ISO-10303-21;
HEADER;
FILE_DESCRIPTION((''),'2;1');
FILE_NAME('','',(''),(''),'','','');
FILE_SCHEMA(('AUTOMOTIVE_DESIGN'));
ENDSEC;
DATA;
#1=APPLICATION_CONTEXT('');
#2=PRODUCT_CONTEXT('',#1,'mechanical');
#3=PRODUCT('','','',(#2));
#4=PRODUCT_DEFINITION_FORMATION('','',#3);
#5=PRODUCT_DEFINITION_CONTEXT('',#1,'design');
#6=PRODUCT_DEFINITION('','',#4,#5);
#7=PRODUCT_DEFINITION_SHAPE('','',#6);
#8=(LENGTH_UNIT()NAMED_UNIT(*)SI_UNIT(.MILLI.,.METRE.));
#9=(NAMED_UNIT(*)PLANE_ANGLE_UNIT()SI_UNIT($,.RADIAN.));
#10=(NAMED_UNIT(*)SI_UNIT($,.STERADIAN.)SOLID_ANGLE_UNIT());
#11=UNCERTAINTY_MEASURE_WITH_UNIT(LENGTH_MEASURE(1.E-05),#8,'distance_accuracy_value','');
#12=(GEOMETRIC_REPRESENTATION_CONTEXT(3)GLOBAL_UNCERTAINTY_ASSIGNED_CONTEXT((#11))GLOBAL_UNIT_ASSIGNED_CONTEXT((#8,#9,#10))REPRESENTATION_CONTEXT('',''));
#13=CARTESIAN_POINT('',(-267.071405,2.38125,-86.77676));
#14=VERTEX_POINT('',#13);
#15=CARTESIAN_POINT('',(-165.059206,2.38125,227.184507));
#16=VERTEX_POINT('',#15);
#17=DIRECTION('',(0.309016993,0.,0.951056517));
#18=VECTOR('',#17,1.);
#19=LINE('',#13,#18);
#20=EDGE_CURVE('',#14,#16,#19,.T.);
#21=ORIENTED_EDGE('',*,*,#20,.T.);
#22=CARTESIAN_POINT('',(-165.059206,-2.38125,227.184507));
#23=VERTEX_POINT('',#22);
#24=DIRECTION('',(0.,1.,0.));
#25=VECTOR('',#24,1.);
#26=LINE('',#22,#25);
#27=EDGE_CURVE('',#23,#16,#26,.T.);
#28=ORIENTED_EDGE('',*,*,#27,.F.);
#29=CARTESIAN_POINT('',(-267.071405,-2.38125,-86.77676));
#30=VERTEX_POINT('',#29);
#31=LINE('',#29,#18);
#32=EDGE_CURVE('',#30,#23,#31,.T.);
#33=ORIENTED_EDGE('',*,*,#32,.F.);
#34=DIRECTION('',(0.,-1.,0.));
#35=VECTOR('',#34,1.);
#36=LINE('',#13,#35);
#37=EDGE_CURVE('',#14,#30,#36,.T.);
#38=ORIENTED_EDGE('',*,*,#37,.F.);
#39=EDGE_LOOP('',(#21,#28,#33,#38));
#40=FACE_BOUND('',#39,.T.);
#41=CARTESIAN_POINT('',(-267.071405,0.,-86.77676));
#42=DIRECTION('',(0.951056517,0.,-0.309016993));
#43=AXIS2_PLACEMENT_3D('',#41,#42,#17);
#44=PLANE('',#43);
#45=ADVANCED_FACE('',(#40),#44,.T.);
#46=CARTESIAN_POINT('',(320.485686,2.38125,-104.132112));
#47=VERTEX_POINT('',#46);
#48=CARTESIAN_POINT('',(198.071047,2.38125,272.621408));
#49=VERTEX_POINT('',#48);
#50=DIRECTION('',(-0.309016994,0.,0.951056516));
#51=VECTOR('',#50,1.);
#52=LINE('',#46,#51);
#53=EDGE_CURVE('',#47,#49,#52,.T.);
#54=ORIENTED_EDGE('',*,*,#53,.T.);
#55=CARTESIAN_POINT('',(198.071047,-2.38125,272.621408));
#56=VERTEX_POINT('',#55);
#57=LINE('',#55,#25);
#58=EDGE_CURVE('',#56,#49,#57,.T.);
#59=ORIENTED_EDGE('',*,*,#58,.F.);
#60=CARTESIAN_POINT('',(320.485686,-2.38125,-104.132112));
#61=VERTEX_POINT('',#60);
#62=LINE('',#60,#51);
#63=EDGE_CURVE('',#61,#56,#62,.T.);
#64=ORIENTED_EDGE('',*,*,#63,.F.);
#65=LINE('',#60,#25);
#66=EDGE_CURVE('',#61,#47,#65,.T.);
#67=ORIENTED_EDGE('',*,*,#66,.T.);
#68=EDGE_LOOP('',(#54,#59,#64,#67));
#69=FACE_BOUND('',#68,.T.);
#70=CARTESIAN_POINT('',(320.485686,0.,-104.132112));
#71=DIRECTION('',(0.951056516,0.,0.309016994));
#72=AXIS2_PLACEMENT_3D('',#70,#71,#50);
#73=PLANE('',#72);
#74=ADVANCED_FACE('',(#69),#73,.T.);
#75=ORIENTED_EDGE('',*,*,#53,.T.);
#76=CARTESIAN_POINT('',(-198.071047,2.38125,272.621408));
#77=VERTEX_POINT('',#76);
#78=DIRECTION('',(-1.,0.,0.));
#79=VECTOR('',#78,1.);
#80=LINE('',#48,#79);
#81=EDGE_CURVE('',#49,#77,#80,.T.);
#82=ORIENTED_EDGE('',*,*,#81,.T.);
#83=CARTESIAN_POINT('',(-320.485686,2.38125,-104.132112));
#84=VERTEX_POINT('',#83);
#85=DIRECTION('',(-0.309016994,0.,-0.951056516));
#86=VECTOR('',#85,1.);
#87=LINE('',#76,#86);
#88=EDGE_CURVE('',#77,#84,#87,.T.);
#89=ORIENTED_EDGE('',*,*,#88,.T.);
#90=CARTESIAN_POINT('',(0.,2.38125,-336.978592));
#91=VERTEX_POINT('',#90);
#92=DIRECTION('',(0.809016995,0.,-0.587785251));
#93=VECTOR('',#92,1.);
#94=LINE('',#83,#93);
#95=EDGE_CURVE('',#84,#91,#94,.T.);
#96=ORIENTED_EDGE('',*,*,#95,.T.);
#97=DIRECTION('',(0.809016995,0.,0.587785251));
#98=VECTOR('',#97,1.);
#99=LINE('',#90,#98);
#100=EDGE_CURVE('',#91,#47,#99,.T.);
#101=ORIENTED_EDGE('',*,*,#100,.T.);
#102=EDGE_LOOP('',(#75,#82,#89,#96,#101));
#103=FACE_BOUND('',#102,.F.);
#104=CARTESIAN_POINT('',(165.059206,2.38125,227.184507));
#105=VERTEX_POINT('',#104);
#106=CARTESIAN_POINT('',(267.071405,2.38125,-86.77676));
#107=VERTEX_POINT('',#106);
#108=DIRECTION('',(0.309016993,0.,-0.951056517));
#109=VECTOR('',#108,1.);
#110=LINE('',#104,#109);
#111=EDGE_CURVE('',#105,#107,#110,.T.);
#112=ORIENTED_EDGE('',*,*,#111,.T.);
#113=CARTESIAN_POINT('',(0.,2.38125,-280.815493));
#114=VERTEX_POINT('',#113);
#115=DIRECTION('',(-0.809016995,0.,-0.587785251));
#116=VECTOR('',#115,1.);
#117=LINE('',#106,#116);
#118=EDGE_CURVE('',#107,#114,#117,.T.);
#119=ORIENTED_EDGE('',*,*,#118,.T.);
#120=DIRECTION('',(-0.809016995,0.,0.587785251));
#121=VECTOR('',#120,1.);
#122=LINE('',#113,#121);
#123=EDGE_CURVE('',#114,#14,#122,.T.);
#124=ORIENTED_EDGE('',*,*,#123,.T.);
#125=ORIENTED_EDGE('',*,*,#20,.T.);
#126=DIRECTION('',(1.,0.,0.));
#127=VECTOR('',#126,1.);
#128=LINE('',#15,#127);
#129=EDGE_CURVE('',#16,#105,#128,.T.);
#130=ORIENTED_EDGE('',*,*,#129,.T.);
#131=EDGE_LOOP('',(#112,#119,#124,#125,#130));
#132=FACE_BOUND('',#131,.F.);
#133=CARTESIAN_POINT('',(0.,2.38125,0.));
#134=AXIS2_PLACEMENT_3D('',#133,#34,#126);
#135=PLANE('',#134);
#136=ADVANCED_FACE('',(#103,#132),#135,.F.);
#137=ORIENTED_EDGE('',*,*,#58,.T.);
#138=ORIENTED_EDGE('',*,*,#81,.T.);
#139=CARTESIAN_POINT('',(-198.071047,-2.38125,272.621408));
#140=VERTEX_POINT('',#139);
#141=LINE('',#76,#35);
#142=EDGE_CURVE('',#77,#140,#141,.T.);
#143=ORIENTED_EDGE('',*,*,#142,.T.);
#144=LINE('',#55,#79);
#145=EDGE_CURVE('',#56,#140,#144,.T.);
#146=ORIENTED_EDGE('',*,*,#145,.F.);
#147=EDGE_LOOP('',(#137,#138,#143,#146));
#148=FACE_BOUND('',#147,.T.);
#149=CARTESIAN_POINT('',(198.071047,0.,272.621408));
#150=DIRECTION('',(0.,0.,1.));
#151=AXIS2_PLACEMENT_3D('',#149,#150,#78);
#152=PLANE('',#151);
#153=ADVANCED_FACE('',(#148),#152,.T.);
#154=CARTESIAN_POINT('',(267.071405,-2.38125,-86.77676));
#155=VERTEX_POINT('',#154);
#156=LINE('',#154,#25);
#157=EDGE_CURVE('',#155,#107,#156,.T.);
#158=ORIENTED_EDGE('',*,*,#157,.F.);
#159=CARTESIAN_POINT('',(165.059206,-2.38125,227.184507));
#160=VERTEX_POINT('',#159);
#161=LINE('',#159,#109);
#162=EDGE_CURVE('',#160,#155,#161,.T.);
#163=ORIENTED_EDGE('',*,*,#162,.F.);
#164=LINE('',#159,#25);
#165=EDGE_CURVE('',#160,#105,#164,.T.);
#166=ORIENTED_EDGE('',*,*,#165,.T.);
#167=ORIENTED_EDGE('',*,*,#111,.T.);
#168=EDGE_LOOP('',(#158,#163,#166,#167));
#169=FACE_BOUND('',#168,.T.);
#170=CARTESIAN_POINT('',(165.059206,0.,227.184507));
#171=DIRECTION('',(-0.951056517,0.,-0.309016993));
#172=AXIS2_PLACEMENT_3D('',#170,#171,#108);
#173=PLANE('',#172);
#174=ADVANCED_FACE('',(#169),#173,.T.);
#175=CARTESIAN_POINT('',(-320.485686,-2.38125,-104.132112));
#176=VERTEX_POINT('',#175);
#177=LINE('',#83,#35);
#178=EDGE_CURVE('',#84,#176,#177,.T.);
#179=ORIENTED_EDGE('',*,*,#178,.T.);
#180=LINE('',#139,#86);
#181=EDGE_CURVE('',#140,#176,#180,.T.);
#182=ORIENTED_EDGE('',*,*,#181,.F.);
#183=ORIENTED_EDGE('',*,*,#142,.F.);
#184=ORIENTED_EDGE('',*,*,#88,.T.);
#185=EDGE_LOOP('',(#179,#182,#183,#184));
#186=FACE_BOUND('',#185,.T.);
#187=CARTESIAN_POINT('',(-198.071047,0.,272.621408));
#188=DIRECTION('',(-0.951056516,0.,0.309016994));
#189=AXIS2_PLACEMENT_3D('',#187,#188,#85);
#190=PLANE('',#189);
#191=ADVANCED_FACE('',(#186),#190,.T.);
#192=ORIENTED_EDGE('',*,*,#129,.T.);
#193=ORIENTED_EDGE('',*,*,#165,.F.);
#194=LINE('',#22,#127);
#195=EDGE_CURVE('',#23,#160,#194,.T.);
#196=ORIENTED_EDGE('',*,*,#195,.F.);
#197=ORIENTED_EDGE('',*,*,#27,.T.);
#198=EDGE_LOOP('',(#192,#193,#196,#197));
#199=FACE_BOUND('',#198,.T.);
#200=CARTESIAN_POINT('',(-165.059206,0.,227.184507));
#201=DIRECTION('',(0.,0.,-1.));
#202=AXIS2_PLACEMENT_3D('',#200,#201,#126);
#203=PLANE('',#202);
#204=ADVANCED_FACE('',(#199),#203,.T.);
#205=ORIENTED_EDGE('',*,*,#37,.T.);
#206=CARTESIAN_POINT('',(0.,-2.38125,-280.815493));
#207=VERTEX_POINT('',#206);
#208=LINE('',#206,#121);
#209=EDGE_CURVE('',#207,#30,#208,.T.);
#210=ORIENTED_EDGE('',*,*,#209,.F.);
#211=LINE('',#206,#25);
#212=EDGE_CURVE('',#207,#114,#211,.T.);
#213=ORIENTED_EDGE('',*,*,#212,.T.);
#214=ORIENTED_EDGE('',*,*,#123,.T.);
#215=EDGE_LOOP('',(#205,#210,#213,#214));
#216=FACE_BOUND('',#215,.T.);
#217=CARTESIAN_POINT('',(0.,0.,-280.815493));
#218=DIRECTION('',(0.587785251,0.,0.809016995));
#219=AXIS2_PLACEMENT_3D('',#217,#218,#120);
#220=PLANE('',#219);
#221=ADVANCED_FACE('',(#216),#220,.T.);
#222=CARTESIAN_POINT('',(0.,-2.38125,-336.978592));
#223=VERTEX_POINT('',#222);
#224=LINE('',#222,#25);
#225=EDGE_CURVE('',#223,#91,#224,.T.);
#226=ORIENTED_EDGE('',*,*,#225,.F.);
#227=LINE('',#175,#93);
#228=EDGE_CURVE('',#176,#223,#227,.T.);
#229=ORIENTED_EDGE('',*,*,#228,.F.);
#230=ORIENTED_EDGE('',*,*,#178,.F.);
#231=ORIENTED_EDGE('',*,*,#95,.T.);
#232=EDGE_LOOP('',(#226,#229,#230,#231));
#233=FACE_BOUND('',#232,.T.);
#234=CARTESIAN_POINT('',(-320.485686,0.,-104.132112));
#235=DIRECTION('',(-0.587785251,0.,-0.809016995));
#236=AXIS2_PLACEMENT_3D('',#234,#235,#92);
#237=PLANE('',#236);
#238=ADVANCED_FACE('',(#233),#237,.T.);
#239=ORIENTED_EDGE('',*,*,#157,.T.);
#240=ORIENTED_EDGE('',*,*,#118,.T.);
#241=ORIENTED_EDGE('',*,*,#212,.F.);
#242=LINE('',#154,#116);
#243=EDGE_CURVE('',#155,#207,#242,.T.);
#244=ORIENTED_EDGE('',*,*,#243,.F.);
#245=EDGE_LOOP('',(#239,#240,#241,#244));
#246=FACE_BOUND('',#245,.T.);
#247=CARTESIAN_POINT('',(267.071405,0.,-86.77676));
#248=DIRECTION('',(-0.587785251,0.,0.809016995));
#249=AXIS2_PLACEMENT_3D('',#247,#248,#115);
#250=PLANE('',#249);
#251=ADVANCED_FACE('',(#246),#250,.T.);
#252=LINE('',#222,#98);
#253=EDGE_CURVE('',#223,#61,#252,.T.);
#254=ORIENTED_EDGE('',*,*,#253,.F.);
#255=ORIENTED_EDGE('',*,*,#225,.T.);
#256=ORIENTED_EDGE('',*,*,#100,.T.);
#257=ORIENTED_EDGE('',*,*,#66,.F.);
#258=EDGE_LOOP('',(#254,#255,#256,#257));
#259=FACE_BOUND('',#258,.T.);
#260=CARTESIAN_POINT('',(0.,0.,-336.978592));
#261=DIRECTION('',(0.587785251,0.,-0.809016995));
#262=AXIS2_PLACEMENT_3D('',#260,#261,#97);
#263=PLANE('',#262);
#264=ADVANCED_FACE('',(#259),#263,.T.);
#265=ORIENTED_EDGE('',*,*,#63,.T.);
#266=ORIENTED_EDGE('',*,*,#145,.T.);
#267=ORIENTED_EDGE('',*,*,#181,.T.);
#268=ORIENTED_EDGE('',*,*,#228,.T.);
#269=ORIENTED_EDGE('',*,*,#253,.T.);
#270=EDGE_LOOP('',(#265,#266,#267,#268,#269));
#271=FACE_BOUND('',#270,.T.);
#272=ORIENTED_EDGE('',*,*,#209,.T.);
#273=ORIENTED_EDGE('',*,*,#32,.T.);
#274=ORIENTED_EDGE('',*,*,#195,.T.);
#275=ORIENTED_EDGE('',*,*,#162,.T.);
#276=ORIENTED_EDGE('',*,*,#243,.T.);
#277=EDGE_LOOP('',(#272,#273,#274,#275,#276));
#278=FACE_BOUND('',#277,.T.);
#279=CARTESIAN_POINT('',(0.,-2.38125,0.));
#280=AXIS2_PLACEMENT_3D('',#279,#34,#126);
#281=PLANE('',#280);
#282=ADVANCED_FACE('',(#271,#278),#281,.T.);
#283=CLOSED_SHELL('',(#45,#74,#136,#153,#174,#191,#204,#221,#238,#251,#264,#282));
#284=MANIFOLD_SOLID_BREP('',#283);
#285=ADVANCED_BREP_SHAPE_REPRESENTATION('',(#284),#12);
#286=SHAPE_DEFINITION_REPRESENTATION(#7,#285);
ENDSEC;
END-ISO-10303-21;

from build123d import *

# Parameters (mm, degrees)
F1_DEPTH = 2.38125


with BuildPart() as f1:
    # F0 (on Front) → F1 (new body, symmetric)
    with BuildSketch(Plane.XZ):
        Polygon((198.071047, 272.621408), (-198.071047, 272.621408), (-320.485686, -104.132112), (0, -336.978592), (320.485686, -104.132112), align=None)
        Polygon((-267.071405, -86.77676), (-165.059206, 227.184507), (165.059206, 227.184507), (267.071405, -86.77676), (0, -280.815493), align=None, mode=Mode.SUBTRACT)
    extrude(amount=F1_DEPTH, both=True)


solid = f1.part
